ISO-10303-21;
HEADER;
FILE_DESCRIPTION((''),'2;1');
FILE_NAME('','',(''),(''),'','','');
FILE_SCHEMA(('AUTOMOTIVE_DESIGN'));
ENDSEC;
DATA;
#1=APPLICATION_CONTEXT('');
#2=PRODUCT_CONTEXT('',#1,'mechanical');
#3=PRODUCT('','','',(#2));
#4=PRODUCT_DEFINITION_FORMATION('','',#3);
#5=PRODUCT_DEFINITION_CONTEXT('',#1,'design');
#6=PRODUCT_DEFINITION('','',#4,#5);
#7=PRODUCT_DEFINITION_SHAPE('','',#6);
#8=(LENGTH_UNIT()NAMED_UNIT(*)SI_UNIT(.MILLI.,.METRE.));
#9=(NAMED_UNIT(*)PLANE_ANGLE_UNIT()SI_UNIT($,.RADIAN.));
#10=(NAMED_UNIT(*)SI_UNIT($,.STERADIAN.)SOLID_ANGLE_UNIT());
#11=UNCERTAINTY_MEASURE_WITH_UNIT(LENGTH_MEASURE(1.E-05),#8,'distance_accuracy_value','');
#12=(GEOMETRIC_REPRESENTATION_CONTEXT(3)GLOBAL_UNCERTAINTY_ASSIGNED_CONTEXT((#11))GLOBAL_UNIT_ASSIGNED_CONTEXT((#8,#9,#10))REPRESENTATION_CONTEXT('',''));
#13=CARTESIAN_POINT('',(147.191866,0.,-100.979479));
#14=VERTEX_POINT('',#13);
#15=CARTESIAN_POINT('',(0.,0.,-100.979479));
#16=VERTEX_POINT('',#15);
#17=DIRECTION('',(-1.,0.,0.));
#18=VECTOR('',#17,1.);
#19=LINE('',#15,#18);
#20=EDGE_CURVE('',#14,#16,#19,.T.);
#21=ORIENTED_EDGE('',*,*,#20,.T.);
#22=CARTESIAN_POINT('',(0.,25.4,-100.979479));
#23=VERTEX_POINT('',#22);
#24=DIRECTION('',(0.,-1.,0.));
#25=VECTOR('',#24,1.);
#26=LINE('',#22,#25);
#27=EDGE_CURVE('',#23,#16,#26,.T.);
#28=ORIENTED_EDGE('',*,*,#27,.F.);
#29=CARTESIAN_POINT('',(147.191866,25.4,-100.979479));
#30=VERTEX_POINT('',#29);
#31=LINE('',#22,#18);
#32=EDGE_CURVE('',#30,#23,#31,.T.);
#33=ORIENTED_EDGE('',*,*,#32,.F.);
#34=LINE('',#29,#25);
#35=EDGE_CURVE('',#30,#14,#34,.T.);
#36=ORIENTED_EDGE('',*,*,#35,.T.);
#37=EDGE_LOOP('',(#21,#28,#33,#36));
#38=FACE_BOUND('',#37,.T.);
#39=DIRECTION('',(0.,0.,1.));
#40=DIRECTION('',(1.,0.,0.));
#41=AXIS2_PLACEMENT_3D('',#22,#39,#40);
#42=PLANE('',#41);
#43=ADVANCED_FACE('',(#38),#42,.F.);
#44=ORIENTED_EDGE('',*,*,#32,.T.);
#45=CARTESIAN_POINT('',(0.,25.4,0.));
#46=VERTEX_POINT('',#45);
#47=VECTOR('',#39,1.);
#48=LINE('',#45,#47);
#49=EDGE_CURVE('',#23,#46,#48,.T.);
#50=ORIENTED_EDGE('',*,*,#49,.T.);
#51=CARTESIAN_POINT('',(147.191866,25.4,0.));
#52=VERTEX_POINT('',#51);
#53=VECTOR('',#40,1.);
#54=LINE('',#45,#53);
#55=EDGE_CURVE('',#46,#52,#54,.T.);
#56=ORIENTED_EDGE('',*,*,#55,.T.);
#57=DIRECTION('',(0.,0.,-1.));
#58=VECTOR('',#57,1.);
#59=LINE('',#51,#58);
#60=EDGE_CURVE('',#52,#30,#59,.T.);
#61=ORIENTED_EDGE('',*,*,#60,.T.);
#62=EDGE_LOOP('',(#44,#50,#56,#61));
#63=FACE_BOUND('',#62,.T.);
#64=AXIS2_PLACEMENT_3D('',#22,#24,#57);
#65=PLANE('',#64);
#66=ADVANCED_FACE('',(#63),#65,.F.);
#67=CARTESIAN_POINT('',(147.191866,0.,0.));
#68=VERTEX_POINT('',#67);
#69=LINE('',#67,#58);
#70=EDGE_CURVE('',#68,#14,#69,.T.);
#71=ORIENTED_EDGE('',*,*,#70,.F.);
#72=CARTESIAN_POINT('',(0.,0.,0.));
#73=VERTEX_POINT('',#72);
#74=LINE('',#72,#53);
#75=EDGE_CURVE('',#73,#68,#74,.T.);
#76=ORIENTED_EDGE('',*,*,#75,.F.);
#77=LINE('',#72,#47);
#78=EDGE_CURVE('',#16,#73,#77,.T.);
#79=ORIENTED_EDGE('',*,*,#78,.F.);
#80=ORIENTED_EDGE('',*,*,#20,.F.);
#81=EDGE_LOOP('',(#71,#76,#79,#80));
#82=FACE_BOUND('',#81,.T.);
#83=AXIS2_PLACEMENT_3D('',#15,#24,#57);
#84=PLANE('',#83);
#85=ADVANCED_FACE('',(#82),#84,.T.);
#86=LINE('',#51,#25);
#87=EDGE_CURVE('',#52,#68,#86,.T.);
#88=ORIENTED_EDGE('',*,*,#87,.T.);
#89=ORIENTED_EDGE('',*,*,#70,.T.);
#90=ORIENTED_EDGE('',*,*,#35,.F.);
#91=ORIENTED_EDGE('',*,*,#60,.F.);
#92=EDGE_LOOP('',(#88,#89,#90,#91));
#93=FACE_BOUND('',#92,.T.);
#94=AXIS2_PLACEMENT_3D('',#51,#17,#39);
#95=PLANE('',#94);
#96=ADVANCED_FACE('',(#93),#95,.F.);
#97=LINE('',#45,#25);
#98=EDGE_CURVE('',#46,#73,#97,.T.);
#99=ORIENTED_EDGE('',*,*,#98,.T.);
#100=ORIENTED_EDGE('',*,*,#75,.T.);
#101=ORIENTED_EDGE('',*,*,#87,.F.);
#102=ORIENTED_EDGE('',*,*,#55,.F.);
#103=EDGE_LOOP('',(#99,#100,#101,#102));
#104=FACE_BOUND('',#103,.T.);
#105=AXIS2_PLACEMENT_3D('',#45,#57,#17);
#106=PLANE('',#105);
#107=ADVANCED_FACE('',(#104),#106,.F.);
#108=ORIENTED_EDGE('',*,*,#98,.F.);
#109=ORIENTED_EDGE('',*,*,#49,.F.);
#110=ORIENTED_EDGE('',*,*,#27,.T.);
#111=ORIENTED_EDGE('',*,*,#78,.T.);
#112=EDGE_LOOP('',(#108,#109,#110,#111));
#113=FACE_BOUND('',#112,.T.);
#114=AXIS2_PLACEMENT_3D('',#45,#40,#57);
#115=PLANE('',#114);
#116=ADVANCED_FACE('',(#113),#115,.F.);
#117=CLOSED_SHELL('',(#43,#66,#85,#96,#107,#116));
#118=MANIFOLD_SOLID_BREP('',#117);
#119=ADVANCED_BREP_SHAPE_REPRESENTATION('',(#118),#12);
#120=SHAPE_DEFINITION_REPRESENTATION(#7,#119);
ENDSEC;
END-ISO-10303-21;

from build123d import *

# Parameters (mm, degrees)
SKETCH6_W      = 147.191865544
SKETCH6_H      = 100.979479207
EXTRUDE1_DEPTH = 25.4


with BuildPart() as part:
    # Sketch6 → Extrude1 (new body)
    with BuildSketch(Plane(origin=(0, 0, 0), x_dir=(1, 0, 0), z_dir=(0, 1, 0))):
        with Locations((73.595932772, 50.489739604)):
            Rectangle(SKETCH6_W, SKETCH6_H)
    extrude(amount=EXTRUDE1_DEPTH)


solid = part.part
